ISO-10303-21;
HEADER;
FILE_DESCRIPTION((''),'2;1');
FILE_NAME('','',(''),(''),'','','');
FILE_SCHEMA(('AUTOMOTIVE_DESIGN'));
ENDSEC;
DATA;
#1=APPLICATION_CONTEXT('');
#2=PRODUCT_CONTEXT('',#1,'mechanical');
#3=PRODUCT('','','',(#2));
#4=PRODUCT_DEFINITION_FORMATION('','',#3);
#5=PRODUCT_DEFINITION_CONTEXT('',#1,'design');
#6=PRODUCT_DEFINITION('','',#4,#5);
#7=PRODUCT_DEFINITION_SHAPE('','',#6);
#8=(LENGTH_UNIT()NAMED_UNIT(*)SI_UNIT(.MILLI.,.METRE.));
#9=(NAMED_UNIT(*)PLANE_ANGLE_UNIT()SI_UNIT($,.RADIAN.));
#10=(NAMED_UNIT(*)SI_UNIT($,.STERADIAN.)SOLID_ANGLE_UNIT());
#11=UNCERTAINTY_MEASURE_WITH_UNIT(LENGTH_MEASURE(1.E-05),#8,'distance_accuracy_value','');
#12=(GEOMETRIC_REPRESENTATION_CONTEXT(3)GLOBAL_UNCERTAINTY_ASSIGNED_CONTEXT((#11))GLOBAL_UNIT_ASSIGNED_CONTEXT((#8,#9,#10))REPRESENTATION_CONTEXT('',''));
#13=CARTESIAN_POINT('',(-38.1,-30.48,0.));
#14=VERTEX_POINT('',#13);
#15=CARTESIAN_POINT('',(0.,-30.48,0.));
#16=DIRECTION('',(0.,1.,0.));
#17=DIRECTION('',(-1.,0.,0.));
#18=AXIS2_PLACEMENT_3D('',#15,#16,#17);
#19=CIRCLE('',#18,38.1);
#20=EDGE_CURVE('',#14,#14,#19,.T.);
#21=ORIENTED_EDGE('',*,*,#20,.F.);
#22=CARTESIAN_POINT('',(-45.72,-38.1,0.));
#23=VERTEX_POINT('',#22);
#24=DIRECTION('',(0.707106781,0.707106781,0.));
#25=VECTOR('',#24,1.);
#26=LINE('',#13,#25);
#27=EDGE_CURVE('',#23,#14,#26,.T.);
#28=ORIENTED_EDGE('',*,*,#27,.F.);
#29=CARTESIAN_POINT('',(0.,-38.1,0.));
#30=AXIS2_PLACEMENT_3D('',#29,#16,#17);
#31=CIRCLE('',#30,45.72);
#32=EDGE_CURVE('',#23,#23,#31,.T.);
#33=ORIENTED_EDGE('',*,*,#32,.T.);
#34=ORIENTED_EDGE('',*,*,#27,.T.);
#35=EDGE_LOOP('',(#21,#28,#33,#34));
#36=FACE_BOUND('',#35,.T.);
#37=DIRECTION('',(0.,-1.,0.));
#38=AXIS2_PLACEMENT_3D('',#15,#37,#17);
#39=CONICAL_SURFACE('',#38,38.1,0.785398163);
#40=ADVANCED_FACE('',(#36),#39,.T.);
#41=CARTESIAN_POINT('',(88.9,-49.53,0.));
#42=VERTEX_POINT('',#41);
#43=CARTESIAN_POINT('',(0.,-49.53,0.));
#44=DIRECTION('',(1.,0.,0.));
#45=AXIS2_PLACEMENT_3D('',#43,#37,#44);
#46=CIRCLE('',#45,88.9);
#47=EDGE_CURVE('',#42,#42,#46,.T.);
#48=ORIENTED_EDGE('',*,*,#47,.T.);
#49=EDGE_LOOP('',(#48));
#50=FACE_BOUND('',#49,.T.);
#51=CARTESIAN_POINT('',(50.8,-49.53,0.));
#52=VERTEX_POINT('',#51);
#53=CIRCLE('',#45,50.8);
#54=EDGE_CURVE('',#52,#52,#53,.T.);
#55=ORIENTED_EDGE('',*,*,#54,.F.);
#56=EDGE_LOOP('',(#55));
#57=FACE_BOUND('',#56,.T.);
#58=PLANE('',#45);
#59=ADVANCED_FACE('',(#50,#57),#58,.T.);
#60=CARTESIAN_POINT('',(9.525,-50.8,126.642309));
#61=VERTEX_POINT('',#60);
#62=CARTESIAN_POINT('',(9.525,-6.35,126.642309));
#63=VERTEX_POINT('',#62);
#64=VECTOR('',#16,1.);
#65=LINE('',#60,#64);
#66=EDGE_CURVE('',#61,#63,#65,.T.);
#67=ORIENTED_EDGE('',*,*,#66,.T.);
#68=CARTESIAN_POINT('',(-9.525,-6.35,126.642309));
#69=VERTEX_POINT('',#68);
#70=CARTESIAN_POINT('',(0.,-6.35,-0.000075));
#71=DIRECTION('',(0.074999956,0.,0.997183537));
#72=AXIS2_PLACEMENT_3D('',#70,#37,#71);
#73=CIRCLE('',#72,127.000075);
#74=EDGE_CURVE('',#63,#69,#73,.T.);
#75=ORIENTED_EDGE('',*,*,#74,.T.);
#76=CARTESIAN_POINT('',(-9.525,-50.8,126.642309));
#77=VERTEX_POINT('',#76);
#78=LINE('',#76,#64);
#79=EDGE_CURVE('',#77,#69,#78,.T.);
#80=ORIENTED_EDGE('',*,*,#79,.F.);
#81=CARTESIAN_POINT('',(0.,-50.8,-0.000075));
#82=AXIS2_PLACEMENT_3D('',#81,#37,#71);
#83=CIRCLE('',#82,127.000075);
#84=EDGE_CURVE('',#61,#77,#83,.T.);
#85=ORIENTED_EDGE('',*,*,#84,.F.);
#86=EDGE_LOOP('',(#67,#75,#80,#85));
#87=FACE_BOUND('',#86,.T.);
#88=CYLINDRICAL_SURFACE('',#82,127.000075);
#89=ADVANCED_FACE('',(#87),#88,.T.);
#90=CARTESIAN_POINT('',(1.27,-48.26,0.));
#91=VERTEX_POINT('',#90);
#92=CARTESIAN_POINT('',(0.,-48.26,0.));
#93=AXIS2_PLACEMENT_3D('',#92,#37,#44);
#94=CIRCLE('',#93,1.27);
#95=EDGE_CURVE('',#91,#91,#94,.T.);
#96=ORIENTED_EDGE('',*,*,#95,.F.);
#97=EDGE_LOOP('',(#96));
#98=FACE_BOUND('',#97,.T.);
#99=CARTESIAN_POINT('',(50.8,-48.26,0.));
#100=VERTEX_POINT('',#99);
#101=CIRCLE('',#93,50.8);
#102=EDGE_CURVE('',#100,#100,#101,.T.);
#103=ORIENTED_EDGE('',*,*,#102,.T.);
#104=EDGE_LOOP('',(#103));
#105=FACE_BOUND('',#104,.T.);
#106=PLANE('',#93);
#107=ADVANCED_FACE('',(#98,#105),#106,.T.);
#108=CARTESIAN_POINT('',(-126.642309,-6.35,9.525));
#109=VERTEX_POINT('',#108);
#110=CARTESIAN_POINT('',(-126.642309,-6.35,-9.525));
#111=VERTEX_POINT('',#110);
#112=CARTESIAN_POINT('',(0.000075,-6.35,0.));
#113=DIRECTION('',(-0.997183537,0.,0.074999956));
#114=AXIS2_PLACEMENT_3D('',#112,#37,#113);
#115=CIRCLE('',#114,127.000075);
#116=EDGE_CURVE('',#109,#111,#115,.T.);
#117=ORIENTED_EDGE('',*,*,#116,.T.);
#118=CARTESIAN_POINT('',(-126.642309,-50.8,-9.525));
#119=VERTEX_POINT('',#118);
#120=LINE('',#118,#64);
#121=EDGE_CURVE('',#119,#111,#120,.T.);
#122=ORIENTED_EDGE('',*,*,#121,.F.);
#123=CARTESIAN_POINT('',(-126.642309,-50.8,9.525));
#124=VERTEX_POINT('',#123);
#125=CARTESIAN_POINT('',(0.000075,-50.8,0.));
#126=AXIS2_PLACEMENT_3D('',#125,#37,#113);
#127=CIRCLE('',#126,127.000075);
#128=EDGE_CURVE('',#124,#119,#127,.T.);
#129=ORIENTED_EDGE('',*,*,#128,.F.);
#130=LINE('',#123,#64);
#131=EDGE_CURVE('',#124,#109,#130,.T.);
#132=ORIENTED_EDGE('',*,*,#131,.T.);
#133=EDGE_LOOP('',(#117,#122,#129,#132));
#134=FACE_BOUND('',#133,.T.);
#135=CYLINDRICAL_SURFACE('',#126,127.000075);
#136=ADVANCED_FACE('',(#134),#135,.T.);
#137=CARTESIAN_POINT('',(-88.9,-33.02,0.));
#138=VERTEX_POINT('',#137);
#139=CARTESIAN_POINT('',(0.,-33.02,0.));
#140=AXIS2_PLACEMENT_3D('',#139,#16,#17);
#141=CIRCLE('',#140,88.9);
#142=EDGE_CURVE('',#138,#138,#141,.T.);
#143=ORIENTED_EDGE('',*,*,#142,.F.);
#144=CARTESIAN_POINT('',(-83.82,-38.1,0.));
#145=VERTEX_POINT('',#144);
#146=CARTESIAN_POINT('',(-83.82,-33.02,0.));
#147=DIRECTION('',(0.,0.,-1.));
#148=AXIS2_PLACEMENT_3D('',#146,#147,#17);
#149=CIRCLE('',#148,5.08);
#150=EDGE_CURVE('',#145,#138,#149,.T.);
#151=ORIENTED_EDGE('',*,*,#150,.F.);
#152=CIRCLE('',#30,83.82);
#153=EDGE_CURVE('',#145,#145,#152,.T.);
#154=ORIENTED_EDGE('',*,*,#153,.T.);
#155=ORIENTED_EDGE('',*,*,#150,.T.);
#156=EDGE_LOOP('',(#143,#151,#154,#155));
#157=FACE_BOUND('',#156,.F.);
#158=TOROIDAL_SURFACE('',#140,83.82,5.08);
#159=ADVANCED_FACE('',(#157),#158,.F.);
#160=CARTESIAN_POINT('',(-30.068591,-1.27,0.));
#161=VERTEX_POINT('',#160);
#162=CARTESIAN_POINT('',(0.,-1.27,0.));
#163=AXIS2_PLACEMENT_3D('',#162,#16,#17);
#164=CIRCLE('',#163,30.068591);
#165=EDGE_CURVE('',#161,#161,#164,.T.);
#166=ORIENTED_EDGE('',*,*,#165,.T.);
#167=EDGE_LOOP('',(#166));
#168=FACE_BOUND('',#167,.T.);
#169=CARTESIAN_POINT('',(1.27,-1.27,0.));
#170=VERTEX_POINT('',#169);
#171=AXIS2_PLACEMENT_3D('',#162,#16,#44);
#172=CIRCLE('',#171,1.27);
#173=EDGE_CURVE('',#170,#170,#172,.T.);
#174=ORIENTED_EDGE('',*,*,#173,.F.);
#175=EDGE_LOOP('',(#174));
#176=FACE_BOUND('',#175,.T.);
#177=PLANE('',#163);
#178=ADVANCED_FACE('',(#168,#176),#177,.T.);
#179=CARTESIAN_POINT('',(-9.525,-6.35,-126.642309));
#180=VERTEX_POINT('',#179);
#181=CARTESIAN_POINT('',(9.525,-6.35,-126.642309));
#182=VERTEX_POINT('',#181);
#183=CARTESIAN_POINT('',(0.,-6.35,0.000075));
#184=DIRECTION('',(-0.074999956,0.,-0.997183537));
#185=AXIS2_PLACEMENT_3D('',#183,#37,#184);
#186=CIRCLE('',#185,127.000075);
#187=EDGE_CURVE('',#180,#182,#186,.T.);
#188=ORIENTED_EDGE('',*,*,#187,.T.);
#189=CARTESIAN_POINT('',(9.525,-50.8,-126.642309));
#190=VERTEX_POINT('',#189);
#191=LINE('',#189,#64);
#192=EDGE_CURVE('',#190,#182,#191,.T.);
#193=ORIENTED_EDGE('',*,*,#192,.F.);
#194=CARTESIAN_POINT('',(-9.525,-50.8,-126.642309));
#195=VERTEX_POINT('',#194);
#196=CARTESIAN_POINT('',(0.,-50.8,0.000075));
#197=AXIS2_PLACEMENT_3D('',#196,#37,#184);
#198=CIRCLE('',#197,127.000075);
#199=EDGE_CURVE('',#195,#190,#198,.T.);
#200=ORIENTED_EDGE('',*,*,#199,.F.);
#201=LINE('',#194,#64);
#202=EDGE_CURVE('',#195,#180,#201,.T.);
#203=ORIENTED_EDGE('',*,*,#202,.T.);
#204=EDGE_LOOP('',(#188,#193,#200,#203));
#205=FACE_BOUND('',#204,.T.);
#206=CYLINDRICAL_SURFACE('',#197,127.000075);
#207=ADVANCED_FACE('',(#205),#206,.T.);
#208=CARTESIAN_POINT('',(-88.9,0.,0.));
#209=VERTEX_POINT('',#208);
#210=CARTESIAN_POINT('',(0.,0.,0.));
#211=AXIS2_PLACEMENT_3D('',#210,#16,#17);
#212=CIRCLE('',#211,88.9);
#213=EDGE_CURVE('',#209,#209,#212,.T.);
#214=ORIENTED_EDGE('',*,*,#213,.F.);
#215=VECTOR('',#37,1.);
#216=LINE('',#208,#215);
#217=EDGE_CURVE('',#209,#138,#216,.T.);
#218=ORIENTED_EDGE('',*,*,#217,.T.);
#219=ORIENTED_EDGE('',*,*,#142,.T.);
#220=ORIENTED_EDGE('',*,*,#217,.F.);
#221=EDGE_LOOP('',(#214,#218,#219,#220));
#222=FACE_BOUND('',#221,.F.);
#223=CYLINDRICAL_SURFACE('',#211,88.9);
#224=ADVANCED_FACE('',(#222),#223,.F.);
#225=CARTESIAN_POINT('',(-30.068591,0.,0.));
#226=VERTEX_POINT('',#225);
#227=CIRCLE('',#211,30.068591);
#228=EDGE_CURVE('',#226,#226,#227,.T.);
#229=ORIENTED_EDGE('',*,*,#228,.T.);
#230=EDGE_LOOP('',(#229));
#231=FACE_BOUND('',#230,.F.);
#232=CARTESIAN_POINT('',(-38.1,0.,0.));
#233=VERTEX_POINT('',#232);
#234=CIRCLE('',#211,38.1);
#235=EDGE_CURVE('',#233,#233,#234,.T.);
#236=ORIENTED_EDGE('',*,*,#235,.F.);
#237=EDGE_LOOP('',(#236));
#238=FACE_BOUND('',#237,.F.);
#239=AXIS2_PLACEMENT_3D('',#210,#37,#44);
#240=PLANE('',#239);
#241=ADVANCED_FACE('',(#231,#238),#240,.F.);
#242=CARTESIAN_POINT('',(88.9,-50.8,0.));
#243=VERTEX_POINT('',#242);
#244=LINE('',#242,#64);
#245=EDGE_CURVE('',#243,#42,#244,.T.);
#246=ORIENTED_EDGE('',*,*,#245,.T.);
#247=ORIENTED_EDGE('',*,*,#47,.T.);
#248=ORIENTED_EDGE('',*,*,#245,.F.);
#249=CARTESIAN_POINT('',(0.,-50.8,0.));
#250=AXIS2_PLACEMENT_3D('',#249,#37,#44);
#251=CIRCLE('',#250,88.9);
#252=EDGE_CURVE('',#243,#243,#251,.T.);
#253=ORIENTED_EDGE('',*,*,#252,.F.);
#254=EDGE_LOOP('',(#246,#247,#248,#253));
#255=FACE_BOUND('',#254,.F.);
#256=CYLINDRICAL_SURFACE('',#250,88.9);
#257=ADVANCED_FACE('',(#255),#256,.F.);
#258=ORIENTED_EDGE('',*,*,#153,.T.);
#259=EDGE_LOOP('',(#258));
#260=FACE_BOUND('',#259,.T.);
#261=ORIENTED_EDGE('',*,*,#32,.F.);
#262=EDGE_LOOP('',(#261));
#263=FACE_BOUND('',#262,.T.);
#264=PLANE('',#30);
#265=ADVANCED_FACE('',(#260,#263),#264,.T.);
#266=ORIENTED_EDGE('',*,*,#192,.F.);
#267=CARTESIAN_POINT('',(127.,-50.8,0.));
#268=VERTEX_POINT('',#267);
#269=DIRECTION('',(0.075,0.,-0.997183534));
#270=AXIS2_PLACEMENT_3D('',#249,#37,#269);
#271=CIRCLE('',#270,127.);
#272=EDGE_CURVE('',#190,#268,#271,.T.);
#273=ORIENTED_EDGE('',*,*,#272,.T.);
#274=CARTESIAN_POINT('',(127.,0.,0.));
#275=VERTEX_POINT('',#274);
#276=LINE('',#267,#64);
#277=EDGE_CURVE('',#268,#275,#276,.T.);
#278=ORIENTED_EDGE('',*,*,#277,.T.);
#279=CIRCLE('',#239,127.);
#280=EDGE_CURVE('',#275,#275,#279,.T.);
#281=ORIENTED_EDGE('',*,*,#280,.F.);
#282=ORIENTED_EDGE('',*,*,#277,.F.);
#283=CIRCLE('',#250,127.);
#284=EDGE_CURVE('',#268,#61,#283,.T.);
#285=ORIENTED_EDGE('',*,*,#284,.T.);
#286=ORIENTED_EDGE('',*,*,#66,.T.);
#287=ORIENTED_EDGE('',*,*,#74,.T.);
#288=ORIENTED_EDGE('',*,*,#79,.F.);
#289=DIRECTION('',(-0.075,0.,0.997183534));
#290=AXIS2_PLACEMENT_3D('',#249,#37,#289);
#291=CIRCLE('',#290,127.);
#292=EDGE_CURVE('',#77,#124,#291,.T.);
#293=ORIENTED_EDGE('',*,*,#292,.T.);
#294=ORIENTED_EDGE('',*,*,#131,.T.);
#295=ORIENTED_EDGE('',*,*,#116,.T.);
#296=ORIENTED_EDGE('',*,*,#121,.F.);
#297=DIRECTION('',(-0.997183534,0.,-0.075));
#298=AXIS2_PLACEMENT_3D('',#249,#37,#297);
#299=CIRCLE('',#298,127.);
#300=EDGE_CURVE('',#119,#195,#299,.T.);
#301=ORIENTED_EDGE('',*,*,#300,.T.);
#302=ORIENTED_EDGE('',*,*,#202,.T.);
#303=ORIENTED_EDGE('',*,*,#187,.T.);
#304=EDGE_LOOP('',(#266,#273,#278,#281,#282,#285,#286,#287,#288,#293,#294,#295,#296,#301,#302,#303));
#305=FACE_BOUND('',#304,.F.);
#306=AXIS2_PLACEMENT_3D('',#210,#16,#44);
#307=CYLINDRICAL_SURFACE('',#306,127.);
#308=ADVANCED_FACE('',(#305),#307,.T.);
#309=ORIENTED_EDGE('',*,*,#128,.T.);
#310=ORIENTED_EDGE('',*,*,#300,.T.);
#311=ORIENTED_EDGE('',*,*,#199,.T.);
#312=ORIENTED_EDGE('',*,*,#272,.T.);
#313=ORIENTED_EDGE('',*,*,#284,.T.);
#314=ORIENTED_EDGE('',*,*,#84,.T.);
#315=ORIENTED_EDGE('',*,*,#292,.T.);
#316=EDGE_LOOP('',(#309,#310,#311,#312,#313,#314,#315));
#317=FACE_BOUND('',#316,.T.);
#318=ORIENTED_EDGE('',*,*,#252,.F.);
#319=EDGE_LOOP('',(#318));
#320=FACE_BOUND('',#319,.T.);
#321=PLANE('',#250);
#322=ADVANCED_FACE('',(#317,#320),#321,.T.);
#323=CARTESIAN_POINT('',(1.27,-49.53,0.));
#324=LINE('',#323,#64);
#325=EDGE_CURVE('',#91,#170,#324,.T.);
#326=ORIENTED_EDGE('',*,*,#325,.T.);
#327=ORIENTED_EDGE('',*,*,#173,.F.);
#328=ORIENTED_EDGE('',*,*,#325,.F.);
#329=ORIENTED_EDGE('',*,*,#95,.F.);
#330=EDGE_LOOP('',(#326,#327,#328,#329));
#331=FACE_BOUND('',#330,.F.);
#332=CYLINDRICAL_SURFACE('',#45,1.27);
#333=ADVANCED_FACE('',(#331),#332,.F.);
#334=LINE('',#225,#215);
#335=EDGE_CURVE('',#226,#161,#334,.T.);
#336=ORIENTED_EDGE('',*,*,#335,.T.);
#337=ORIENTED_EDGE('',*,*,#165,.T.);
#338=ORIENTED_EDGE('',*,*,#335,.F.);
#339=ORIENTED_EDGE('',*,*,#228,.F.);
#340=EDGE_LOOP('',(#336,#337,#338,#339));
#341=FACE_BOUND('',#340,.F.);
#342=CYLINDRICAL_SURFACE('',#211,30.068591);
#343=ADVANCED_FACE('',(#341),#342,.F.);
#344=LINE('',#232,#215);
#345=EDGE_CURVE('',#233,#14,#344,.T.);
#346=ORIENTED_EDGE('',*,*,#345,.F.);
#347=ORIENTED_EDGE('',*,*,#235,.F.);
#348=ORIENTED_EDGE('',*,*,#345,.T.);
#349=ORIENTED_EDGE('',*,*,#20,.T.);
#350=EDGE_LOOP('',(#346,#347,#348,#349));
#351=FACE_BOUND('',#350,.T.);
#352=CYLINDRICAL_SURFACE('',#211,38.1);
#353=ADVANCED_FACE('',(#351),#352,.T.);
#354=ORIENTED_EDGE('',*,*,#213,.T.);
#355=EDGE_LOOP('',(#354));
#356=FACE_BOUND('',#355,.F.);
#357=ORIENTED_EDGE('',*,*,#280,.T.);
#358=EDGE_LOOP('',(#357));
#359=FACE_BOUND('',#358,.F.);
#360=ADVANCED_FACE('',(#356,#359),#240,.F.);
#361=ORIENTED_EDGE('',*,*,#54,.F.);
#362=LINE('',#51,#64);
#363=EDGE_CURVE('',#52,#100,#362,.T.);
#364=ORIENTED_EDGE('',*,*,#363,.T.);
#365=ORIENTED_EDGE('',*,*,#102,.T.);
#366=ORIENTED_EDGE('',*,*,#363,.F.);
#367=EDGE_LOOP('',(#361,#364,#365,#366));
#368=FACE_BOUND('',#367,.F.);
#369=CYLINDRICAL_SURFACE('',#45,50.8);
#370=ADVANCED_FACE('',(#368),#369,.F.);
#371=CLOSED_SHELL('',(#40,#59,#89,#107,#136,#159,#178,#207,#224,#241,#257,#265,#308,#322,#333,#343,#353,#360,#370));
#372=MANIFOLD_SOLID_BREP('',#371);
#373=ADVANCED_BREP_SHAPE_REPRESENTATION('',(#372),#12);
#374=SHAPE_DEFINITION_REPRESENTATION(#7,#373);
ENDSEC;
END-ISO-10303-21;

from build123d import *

# Parameters (mm, degrees)
F0_R      = 127
F1_DEPTH  = 50.8
F2_R      = 88.9
F3_DEPTH  = 1.27
F4_R      = 1.27
F5_DEPTH  = 50.8
F6_R      = 50.8
F7_DEPTH  = 1.27
F8_R      = 88.9
F8_R_2    = 38.1
F9_DEPTH  = 38.1
F10_SIZE  = 7.62
F11_R     = 5.08
F13_DEPTH = 44.45
F14_R     = 30.068591
F14_R_2   = 1.27
F15_DEPTH = 1.27


with BuildPart() as f1:
    # F0 (on Front) → F1 (new body)
    with BuildSketch(Plane.XZ):
        Circle(F0_R)
    extrude(amount=F1_DEPTH)

    # F2 (on face) → F3 (cut)
    with BuildSketch(Plane.XZ.offset(50.8)):
        Circle(F2_R)
    extrude(amount=-F3_DEPTH, mode=Mode.SUBTRACT)

    # F4 (on face) → F5 (cut)
    with BuildSketch(Plane.XZ.offset(49.53)):
        Circle(F4_R)
    extrude(amount=-F5_DEPTH, mode=Mode.SUBTRACT)

    # F6 (on face) → F7 (cut)
    with BuildSketch(Plane.XZ.offset(49.53)):
        Circle(F6_R)
    extrude(amount=-F7_DEPTH, mode=Mode.SUBTRACT)

    # F8 (on face) → F9 (cut)
    with BuildSketch(Plane(origin=(0, 0, 0), x_dir=(-1, 0, 0), z_dir=(0, 1, 0))):
        Circle(F8_R)
        Circle(F8_R_2, mode=Mode.SUBTRACT)
    extrude(amount=-F9_DEPTH, mode=Mode.SUBTRACT)

    # F10
    f10_edges = [f1.edges().sort_by_distance(p)[0] for p in [
        (38.1, -38.1, 0),
    ]]
    chamfer(f10_edges, length=F10_SIZE)

    # F11
    f11_edges = [f1.edges().sort_by_distance(p)[0] for p in [
        (88.9, -38.1, 0),
    ]]
    fillet(f11_edges, radius=F11_R)

    # F12 (on face) → F13 (join)
    with BuildSketch(Plane.XZ.offset(50.8)):
        with BuildLine():
            ThreePointArc((-2.998611, 107.908345), (0, 107.95), (2.998611, 107.908345))
            ThreePointArc((2.998611, 107.908345), (7.602326, 109.70383), (9.525, 114.255894))
            Line((9.525, 114.255894), (9.525, 126.642309))
            ThreePointArc((9.525, 126.642309), (0, 127), (-9.525, 126.642309))
            Line((-9.525, 126.642309), (-9.525, 114.255894))
            ThreePointArc((-9.525, 114.255894), (-7.602326, 109.70383), (-2.998611, 107.908345))
        make_face()
        with BuildLine():
            Line((-74.055926, 87.52631), (-82.814443, 96.284827))
            ThreePointArc((-82.814443, 96.284827), (-89.802561, 89.802561), (-96.284827, 82.814443))
            Line((-96.284827, 82.814443), (-87.52631, 74.055926))
            ThreePointArc((-87.52631, 74.055926), (-82.947979, 72.196666), (-78.42306, 74.182384))
            ThreePointArc((-78.42306, 74.182384), (-76.332177, 76.332177), (-74.182384, 78.42306))
            ThreePointArc((-74.182384, 78.42306), (-72.196666, 82.947979), (-74.055926, 87.52631))
        make_face()
        with BuildLine():
            Line((-114.255894, 9.525), (-126.642309, 9.525))
            ThreePointArc((-126.642309, 9.525), (-127, 0), (-126.642309, -9.525))
            Line((-126.642309, -9.525), (-114.255894, -9.525))
            ThreePointArc((-114.255894, -9.525), (-109.70383, -7.602326), (-107.908345, -2.998611))
            ThreePointArc((-107.908345, -2.998611), (-107.95, 0), (-107.908345, 2.998611))
            ThreePointArc((-107.908345, 2.998611), (-109.70383, 7.602326), (-114.255894, 9.525))
        make_face()
        with BuildLine():
            Line((-87.52631, -74.055926), (-96.284827, -82.814443))
            ThreePointArc((-96.284827, -82.814443), (-89.802561, -89.802561), (-82.814443, -96.284827))
            Line((-82.814443, -96.284827), (-74.055926, -87.52631))
            ThreePointArc((-74.055926, -87.52631), (-72.196666, -82.947979), (-74.182384, -78.42306))
            ThreePointArc((-74.182384, -78.42306), (-76.332177, -76.332177), (-78.42306, -74.182384))
            ThreePointArc((-78.42306, -74.182384), (-82.947979, -72.196666), (-87.52631, -74.055926))
        make_face()
        with BuildLine():
            Line((-9.525, -114.255894), (-9.525, -126.642309))
            ThreePointArc((-9.525, -126.642309), (0, -127), (9.525, -126.642309))
            Line((9.525, -126.642309), (9.525, -114.255894))
            ThreePointArc((9.525, -114.255894), (7.602326, -109.70383), (2.998611, -107.908345))
            ThreePointArc((2.998611, -107.908345), (0, -107.95), (-2.998611, -107.908345))
            ThreePointArc((-2.998611, -107.908345), (-7.602326, -109.70383), (-9.525, -114.255894))
        make_face()
        with BuildLine():
            Line((74.055926, -87.52631), (82.814443, -96.284827))
            ThreePointArc((82.814443, -96.284827), (89.802561, -89.802561), (96.284827, -82.814443))
            Line((96.284827, -82.814443), (87.52631, -74.055926))
            ThreePointArc((87.52631, -74.055926), (82.947979, -72.196666), (78.42306, -74.182384))
            ThreePointArc((78.42306, -74.182384), (76.332177, -76.332177), (74.182384, -78.42306))
            ThreePointArc((74.182384, -78.42306), (72.196666, -82.947979), (74.055926, -87.52631))
        make_face()
        with BuildLine():
            Line((114.255894, -9.525), (126.642309, -9.525))
            ThreePointArc((126.642309, -9.525), (127, 0), (126.642309, 9.525))
            Line((126.642309, 9.525), (114.255894, 9.525))
            ThreePointArc((114.255894, 9.525), (109.70383, 7.602326), (107.908345, 2.998611))
            ThreePointArc((107.908345, 2.998611), (107.95, 0), (107.908345, -2.998611))
            ThreePointArc((107.908345, -2.998611), (109.70383, -7.602326), (114.255894, -9.525))
        make_face()
        with BuildLine():
            Line((87.52631, 74.055926), (96.284827, 82.814443))
            ThreePointArc((96.284827, 82.814443), (89.802561, 89.802561), (82.814443, 96.284827))
            Line((82.814443, 96.284827), (74.055926, 87.52631))
            ThreePointArc((74.055926, 87.52631), (72.196666, 82.947979), (74.182384, 78.42306))
            ThreePointArc((74.182384, 78.42306), (76.332177, 76.332177), (78.42306, 74.182384))
            ThreePointArc((78.42306, 74.182384), (82.947979, 72.196666), (87.52631, 74.055926))
        make_face()
    extrude(amount=-F13_DEPTH)

    # F14 (on face) → F15 (cut)
    with BuildSketch(Plane(origin=(0, 0, 0), x_dir=(-1, 0, 0), z_dir=(0, 1, 0))):
        Circle(F14_R)
        Circle(F14_R_2, mode=Mode.SUBTRACT)
    extrude(amount=-F15_DEPTH, mode=Mode.SUBTRACT)


solid = f1.part
